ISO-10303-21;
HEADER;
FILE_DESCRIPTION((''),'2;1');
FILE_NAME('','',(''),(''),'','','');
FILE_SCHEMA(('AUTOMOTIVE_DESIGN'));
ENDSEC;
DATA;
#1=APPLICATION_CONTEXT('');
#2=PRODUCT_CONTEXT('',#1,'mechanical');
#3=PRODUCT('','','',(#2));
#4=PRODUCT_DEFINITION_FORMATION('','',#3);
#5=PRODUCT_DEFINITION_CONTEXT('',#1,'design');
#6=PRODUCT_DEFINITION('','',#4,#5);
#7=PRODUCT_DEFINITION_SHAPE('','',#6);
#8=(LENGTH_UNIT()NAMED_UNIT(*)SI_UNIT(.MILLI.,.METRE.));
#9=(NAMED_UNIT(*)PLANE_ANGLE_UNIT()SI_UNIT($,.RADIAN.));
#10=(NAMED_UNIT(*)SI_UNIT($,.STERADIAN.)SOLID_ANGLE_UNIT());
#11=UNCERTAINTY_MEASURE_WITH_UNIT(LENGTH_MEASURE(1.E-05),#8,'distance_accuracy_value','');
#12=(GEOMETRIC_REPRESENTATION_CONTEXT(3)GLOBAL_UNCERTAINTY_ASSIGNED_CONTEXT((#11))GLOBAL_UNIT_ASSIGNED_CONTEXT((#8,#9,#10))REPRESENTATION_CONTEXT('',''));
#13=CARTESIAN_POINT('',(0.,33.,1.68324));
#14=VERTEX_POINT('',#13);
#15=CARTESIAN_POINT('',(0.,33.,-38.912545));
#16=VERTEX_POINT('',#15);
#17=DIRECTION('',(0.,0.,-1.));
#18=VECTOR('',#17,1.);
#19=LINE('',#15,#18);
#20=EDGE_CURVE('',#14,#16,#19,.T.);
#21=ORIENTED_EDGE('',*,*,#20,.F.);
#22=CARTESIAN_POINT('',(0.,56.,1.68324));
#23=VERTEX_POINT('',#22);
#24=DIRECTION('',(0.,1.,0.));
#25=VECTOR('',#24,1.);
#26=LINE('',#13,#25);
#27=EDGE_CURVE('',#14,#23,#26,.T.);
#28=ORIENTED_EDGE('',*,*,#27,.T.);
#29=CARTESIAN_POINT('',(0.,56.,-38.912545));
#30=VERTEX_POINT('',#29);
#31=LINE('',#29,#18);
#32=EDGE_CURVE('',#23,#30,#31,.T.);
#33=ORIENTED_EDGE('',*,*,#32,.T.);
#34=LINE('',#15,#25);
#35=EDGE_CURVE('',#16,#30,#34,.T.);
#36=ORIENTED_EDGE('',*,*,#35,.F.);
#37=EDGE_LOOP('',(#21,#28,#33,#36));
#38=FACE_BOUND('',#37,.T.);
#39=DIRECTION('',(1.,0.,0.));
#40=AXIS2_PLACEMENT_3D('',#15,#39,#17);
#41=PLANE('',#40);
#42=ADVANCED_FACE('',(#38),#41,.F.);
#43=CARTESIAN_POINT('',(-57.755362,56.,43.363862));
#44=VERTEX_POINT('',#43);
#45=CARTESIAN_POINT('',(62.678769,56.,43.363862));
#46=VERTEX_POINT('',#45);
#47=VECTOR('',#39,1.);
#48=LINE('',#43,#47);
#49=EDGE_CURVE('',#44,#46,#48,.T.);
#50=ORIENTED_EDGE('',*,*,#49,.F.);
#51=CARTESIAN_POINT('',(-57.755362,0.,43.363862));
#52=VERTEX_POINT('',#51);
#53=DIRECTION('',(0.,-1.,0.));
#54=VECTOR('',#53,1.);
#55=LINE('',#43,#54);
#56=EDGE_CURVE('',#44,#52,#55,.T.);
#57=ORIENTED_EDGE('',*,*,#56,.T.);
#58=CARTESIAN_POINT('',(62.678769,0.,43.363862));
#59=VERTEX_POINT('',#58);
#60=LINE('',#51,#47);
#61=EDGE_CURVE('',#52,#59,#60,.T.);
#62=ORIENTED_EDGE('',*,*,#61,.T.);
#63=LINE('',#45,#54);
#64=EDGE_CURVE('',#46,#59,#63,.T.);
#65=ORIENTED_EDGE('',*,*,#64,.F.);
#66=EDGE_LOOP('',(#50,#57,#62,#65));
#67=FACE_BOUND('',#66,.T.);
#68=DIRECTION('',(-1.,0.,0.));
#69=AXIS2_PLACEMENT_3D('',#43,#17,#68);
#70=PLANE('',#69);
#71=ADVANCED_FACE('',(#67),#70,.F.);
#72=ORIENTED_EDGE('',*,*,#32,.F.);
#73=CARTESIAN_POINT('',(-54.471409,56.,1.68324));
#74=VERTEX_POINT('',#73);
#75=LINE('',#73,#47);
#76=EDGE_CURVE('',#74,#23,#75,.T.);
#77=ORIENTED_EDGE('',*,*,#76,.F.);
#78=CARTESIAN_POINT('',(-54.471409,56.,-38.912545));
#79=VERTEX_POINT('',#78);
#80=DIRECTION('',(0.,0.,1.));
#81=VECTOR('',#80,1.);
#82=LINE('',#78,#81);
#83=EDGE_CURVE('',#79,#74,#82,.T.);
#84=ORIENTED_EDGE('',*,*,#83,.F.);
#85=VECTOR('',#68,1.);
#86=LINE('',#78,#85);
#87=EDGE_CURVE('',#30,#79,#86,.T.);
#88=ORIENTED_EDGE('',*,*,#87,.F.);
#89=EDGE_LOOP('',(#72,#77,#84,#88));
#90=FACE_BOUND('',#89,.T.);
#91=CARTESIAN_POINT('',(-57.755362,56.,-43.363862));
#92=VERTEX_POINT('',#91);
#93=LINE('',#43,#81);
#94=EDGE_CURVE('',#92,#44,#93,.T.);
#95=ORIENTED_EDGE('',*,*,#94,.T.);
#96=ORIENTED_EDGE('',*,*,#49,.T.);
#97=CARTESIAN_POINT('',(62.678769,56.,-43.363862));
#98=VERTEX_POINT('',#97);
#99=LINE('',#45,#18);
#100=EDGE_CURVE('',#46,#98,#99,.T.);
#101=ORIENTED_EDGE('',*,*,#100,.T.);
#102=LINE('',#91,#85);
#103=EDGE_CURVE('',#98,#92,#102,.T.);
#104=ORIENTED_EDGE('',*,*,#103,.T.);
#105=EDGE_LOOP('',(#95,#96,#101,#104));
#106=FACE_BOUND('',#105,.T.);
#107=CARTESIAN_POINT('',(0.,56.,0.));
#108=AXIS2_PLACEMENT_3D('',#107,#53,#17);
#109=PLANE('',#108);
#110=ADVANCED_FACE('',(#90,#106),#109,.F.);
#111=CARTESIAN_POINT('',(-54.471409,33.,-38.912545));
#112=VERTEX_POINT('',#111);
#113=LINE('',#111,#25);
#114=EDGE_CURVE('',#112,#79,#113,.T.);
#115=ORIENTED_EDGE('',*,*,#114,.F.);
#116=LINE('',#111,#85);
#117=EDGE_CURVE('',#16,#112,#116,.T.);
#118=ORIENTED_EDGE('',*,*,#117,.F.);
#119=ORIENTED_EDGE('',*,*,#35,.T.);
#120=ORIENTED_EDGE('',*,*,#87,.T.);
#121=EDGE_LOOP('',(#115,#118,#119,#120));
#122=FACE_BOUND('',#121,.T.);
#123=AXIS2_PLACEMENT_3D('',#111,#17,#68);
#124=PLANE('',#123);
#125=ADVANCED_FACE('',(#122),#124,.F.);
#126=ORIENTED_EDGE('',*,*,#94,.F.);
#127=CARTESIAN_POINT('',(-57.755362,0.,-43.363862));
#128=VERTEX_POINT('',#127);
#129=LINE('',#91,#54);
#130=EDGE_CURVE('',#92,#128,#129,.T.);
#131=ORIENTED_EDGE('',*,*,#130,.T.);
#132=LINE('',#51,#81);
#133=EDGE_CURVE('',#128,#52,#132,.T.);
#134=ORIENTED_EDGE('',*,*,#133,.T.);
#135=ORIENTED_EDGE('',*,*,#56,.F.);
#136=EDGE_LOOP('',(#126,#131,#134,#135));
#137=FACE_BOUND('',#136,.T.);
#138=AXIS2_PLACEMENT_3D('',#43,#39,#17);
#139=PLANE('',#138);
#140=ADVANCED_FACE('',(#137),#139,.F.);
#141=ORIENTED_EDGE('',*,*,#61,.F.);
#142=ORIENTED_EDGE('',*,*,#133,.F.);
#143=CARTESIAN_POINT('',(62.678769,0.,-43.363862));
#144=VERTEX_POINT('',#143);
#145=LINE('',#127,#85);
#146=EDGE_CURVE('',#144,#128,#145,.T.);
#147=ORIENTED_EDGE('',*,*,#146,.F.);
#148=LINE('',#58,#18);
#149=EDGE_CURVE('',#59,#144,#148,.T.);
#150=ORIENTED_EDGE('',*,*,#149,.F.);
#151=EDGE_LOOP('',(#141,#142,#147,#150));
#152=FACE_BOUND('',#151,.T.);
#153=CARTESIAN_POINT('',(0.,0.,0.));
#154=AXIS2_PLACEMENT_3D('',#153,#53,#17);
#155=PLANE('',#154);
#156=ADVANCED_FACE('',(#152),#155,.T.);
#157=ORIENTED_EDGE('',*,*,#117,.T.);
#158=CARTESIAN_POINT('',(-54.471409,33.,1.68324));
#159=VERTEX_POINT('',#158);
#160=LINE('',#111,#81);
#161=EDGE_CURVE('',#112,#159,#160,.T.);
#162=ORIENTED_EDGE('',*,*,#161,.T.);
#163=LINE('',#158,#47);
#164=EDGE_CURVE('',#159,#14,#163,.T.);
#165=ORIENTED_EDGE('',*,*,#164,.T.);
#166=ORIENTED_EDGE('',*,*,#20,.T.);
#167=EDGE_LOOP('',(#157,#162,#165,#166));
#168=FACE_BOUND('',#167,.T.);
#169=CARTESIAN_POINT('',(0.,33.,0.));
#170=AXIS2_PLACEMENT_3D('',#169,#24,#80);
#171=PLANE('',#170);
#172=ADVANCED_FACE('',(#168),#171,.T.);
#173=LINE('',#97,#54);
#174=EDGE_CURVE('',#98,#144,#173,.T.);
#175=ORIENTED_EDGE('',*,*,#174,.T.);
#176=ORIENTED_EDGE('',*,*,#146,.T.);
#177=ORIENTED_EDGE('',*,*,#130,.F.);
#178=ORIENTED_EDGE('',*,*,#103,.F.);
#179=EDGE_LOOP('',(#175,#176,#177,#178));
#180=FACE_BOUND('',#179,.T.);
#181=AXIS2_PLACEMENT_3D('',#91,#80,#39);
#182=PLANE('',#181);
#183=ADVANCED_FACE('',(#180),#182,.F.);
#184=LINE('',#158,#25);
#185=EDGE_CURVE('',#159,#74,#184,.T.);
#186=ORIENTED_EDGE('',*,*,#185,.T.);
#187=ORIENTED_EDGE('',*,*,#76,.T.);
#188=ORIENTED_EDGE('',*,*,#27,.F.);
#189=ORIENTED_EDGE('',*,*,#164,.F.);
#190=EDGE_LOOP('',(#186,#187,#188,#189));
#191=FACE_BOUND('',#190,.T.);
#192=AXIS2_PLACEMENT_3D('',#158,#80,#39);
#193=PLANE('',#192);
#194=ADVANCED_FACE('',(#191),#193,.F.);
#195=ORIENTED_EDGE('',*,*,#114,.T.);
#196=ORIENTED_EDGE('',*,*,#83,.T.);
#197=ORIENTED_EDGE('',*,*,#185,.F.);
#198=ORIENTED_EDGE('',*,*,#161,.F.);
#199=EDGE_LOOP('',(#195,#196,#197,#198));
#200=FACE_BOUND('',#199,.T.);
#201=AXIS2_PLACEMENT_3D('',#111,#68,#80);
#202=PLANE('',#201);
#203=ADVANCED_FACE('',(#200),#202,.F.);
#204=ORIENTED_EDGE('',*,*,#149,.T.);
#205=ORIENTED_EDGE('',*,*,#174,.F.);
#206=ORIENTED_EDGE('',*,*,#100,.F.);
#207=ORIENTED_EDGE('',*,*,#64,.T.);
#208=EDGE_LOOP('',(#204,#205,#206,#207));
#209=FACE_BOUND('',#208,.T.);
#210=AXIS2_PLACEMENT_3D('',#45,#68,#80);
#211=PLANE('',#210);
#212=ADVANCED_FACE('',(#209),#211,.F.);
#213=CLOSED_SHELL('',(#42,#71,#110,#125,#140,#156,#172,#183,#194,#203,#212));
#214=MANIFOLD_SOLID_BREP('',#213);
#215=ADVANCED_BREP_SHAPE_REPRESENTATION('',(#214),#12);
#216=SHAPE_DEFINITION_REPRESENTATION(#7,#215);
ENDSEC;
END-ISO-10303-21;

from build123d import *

# Parameters (mm, degrees)
SKETCH1_W           = 120.434130947
SKETCH1_H           = 86.72772323
BOSS_EXTRUDE1_DEPTH = 56
SKETCH2_W           = 54.471409392
SKETCH2_H           = 40.595785154
CUT_EXTRUDE1_DEPTH  = 23


with BuildPart() as part:
    # Sketch1 → Boss-Extrude1 (new body)
    with BuildSketch(Plane(origin=(0, 0, 0), x_dir=(1, 0, 0), z_dir=(0, 1, 0))):
        with Locations((2.461703934, 0)):
            Rectangle(SKETCH1_W, SKETCH1_H)
    extrude(amount=BOSS_EXTRUDE1_DEPTH)

    # Sketch2 → Cut-Extrude1 (cut)
    with BuildSketch(Plane(origin=(0, 56, 0), x_dir=(1, 0, 0), z_dir=(0, 1, 0))):
        with Locations((-27.235704696, 18.614652705)):
            Rectangle(SKETCH2_W, SKETCH2_H)
    extrude(amount=-CUT_EXTRUDE1_DEPTH, mode=Mode.SUBTRACT)


solid = part.part
